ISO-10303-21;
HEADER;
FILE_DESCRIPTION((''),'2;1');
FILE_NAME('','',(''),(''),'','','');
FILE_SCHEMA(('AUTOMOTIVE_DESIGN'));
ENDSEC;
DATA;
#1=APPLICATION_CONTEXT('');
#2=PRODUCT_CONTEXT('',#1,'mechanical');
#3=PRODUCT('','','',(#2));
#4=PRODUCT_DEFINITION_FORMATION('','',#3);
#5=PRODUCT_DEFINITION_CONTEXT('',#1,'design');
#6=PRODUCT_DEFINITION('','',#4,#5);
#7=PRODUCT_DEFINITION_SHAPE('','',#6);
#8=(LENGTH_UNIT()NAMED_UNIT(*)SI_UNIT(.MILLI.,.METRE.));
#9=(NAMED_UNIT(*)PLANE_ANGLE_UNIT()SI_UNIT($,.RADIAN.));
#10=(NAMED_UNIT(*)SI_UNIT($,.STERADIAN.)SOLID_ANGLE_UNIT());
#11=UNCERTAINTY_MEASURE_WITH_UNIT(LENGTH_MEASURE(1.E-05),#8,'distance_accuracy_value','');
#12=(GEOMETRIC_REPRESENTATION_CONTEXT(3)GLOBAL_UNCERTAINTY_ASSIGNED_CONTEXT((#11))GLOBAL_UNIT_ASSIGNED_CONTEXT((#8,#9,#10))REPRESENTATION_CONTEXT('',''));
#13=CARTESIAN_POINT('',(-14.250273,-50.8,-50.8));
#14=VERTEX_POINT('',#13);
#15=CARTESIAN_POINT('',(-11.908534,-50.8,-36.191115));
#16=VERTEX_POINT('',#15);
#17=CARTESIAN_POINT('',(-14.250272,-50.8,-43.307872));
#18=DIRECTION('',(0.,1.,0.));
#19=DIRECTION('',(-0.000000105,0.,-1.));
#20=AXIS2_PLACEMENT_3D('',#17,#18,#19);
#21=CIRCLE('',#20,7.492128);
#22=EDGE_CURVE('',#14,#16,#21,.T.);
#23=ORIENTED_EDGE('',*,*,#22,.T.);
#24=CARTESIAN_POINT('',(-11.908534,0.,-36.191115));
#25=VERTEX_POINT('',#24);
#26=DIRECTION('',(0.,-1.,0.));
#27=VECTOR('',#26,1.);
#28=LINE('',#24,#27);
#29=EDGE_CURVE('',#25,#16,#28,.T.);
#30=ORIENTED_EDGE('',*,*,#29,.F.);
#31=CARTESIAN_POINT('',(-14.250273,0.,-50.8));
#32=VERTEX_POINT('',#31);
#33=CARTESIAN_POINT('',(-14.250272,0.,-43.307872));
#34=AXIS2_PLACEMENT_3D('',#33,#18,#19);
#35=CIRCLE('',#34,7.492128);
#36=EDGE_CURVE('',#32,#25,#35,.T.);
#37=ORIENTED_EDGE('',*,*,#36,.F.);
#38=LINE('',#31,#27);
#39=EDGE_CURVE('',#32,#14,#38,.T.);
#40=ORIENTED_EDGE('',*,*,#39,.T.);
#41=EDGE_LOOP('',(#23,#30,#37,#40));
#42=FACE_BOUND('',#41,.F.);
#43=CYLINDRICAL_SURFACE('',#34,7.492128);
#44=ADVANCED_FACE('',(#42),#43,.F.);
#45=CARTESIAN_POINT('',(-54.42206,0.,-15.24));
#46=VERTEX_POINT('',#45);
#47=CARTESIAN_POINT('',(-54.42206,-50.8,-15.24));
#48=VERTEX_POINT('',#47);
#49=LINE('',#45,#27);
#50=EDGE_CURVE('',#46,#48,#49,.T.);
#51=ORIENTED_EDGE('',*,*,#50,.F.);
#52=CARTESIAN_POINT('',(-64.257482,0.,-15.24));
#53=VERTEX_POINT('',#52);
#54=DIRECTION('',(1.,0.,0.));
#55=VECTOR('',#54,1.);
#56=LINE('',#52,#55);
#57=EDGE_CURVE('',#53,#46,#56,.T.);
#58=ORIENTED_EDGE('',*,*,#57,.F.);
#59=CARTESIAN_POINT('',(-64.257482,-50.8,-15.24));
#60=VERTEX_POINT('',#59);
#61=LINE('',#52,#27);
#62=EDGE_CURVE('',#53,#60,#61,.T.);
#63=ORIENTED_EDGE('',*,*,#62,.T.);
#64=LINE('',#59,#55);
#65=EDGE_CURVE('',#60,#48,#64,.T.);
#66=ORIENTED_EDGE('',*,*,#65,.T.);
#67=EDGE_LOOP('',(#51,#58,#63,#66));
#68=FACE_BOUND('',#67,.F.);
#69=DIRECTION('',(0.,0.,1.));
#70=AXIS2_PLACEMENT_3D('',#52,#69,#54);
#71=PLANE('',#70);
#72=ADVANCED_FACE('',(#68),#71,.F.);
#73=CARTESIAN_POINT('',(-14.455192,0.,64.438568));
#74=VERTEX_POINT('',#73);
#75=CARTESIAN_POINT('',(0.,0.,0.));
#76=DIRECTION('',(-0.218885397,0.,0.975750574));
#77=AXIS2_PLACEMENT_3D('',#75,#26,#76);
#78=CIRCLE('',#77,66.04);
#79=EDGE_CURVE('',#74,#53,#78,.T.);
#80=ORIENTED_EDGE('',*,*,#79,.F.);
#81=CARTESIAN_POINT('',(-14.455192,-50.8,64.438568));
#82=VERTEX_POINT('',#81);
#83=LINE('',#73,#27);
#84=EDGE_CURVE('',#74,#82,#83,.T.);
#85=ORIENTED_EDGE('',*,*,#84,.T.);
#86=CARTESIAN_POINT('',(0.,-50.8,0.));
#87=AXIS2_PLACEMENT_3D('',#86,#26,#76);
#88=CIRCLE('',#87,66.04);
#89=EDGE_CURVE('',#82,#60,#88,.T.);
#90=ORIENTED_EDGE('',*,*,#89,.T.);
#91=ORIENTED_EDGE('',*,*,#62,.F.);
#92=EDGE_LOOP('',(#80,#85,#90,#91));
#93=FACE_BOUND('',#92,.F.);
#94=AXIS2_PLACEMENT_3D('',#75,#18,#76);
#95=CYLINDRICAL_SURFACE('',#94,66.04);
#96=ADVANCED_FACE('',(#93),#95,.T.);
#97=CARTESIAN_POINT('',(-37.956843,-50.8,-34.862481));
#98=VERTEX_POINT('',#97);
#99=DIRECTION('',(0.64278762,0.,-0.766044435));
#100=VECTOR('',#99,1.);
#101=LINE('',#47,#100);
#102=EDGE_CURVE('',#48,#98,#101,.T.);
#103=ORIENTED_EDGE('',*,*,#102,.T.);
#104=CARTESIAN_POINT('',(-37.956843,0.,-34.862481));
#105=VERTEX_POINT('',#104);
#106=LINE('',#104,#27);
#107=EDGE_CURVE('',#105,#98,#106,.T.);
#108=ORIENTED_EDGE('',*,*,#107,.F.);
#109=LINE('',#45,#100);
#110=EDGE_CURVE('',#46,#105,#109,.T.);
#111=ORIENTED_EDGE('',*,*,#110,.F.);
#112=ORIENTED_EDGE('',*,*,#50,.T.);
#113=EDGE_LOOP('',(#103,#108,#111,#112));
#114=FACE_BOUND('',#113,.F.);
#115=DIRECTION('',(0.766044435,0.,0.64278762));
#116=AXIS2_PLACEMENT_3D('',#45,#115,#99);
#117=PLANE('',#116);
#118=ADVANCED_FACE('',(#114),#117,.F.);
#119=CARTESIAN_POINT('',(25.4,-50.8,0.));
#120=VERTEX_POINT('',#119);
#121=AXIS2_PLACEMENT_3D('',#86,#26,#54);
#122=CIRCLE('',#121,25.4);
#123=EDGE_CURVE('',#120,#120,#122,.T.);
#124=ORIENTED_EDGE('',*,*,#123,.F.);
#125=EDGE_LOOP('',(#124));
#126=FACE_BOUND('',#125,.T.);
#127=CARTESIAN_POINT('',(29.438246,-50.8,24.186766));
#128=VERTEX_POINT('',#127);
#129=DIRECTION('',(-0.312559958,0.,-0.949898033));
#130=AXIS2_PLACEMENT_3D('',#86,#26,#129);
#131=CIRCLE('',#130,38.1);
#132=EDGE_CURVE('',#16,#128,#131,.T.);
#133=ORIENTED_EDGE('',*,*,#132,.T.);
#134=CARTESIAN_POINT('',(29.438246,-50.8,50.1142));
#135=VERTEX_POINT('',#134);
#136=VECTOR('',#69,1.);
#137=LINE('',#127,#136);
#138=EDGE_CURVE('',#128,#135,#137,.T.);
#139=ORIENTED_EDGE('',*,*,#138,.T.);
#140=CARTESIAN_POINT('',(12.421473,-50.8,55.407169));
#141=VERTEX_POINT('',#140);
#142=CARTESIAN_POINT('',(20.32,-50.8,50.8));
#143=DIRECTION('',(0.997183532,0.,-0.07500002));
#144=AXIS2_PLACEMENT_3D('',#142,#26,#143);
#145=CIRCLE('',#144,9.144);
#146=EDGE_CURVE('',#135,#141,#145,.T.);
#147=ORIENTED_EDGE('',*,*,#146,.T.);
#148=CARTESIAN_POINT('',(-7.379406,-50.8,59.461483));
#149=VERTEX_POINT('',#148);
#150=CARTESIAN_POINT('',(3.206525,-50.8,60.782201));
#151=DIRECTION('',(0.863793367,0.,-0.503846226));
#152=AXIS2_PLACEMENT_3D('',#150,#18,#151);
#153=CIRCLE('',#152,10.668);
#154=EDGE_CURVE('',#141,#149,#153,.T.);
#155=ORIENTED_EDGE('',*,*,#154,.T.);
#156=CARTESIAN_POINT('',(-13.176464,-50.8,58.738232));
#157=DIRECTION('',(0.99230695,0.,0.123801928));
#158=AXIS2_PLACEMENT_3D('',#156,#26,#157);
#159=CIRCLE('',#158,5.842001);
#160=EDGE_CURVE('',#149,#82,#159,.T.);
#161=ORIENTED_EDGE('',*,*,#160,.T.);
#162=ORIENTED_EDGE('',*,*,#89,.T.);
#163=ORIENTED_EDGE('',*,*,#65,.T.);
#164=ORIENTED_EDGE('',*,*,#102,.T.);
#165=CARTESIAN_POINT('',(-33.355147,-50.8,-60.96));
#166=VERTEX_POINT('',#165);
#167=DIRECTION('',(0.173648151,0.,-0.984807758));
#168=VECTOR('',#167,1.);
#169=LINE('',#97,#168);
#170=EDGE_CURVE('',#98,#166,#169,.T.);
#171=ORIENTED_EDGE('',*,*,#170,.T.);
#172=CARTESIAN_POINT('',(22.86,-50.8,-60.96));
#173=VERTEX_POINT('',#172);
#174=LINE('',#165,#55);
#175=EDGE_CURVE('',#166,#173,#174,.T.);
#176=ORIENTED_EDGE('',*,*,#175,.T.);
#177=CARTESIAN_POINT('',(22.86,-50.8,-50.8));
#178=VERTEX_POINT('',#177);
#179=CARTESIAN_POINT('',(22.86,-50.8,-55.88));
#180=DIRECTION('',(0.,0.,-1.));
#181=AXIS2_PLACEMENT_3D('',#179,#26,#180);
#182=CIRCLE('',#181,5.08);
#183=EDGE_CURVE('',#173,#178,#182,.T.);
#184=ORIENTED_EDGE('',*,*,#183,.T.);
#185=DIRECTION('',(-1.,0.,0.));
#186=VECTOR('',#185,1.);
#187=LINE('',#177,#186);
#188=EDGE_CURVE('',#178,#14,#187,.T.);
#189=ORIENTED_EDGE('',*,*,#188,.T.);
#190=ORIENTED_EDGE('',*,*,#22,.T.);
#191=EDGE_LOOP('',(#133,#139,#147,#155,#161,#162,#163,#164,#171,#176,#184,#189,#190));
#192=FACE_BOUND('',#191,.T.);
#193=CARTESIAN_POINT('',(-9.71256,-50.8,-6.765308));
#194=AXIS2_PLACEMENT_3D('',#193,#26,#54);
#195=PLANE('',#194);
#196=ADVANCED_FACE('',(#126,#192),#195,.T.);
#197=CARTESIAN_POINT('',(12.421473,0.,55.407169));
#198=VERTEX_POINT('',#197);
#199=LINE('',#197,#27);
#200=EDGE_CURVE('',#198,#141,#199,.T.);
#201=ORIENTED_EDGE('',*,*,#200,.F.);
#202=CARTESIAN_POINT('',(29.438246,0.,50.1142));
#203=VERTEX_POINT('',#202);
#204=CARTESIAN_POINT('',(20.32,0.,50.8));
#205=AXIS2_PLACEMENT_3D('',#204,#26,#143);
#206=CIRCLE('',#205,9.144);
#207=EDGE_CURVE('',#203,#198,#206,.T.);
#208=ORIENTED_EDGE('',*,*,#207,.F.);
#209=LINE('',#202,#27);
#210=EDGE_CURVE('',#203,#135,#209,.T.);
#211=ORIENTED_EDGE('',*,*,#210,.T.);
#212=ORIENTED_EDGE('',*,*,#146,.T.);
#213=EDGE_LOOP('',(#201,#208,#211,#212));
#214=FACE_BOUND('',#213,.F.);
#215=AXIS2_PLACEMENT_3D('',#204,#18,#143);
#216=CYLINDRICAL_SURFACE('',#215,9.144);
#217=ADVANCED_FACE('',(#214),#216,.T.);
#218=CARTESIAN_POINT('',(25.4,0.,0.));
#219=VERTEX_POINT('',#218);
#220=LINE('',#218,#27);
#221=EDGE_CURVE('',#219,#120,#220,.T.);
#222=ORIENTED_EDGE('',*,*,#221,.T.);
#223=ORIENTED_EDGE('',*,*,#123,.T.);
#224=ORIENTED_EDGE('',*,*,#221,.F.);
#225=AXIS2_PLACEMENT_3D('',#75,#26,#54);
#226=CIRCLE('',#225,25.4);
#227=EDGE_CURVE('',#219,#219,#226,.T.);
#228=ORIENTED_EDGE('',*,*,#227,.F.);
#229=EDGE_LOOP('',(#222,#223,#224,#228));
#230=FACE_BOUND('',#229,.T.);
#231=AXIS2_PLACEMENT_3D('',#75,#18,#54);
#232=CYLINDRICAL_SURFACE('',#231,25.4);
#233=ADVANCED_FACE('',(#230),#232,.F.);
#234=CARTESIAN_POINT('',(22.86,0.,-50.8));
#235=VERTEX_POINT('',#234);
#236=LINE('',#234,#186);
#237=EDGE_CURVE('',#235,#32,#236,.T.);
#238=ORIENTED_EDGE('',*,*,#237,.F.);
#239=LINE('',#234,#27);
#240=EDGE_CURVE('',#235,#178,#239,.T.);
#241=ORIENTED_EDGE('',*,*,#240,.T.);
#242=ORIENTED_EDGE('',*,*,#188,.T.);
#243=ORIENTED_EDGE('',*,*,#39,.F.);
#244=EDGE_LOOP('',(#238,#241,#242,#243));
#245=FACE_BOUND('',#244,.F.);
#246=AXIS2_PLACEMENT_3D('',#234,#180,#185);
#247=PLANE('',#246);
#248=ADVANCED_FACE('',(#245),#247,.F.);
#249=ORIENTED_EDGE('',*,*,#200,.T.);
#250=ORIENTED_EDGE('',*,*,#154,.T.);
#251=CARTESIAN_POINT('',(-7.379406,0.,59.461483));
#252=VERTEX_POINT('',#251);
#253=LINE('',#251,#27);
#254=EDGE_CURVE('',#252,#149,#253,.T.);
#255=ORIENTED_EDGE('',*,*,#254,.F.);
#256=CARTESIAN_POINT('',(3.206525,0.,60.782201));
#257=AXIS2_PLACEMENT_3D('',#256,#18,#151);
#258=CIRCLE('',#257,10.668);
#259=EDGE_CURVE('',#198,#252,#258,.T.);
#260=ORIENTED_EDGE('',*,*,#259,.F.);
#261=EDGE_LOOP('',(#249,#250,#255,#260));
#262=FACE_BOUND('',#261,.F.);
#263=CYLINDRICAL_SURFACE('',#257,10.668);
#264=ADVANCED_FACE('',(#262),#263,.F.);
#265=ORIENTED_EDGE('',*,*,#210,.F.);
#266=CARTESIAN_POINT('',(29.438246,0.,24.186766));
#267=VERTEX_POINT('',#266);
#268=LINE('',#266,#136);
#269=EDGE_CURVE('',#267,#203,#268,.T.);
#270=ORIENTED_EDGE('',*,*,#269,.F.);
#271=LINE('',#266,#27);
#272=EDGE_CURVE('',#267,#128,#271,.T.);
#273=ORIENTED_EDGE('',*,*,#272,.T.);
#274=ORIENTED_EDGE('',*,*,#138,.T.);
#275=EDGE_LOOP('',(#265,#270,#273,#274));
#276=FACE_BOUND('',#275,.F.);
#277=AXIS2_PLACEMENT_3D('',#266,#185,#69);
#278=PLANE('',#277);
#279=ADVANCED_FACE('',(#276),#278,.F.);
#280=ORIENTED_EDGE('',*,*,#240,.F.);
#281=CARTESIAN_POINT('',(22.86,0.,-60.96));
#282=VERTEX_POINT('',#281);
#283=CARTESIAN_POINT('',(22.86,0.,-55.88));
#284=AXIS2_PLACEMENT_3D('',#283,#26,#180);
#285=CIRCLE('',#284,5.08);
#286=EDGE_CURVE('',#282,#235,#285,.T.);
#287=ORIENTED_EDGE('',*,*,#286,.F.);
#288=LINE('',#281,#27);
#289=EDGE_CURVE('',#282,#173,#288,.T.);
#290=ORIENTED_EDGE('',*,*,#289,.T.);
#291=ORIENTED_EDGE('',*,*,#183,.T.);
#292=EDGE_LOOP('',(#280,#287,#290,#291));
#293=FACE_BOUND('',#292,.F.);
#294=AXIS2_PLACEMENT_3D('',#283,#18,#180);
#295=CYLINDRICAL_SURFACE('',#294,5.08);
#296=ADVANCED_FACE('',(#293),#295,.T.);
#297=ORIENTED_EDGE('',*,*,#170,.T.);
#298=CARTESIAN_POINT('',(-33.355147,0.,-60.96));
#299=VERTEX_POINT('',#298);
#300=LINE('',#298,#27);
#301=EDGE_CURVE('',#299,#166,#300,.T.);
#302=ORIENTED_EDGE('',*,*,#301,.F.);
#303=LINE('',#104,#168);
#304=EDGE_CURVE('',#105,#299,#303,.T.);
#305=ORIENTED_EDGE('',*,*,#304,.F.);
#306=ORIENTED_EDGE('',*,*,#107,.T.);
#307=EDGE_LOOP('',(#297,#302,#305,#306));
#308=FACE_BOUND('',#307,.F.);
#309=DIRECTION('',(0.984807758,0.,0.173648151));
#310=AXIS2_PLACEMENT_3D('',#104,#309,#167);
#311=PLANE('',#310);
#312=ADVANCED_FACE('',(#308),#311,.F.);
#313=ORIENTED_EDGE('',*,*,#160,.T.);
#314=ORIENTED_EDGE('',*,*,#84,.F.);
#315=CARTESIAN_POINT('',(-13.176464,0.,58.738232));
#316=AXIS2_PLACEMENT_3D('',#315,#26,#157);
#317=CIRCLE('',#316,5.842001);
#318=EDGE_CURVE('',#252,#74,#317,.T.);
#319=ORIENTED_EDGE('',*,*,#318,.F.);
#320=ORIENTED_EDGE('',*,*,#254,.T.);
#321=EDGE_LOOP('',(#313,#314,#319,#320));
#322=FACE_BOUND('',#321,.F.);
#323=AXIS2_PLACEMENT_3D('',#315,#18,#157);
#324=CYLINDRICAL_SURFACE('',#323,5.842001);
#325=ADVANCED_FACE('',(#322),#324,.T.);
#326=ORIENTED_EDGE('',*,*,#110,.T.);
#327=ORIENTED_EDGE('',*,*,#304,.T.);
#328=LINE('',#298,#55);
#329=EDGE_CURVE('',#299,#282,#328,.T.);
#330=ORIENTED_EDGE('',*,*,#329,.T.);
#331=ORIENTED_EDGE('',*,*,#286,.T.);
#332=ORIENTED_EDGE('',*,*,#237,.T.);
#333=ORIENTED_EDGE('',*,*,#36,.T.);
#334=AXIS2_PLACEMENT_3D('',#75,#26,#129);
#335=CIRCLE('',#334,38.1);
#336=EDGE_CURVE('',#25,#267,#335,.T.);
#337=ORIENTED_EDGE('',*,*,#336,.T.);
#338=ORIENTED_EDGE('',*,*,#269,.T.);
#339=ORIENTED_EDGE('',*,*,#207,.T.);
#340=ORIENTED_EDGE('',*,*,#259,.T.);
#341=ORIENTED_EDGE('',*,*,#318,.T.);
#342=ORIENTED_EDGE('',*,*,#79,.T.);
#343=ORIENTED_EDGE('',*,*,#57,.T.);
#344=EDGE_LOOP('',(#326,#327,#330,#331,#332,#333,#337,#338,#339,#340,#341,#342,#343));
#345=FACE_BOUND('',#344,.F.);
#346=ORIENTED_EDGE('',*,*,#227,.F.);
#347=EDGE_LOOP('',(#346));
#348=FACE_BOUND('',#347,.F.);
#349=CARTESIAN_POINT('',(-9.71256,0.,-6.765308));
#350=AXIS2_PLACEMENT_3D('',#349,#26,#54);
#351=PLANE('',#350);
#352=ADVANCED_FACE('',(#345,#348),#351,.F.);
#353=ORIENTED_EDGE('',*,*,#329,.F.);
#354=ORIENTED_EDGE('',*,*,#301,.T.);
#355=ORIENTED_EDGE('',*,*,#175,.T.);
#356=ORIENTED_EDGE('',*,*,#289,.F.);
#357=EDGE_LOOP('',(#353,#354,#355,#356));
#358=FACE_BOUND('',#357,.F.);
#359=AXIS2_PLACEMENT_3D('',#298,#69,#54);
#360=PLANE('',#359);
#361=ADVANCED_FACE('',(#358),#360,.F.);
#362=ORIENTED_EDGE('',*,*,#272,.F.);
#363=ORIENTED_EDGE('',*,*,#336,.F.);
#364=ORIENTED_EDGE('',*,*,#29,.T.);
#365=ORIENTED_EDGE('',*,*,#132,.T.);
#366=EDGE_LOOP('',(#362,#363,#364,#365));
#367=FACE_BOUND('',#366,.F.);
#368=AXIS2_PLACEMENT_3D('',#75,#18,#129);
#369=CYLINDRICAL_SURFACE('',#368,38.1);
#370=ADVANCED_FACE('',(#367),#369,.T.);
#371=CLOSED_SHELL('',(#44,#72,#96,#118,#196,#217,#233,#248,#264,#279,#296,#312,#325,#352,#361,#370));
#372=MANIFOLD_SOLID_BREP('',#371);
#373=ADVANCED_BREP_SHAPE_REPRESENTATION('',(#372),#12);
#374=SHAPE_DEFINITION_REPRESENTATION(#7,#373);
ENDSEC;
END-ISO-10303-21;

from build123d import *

# Parameters (mm, degrees)
F0_R     = 25.4
F1_DEPTH = 50.8


with BuildPart() as f1:
    # F0 (on Front) → F1 (new body)
    with BuildSketch(Plane.XZ):
        with BuildLine():
            ThreePointArc((-14.250273, -50.8), (-21.647962, -42.122056), (-11.908534, -36.191115))
            ThreePointArc((-11.908534, -36.191115), (31.435567, -21.527079), (29.438246, 24.186766))
            Line((29.438246, 24.186766), (29.438246, 50.1142))
            ThreePointArc((29.438246, 50.1142), (23.035844, 59.531376), (12.421473, 55.407169))
            ThreePointArc((12.421473, 55.407169), (1.066604, 50.33103), (-7.379406, 59.461483))
            ThreePointArc((-7.379406, 59.461483), (-9.815412, 63.516548), (-14.455192, 64.438568))
            ThreePointArc((-14.455192, 64.438568), (-56.000802, 35.00274), (-64.257482, -15.24))
            Line((-64.257482, -15.24), (-54.42206, -15.24))
            Line((-54.42206, -15.24), (-37.956843, -34.862481))
            Line((-37.956843, -34.862481), (-33.355147, -60.96))
            Line((-33.355147, -60.96), (22.86, -60.96))
            ThreePointArc((22.86, -60.96), (27.94, -55.88), (22.86, -50.8))
            Line((22.86, -50.8), (-14.250273, -50.8))
        make_face()
        Circle(F0_R, mode=Mode.SUBTRACT)
    extrude(amount=F1_DEPTH)


solid = f1.part
